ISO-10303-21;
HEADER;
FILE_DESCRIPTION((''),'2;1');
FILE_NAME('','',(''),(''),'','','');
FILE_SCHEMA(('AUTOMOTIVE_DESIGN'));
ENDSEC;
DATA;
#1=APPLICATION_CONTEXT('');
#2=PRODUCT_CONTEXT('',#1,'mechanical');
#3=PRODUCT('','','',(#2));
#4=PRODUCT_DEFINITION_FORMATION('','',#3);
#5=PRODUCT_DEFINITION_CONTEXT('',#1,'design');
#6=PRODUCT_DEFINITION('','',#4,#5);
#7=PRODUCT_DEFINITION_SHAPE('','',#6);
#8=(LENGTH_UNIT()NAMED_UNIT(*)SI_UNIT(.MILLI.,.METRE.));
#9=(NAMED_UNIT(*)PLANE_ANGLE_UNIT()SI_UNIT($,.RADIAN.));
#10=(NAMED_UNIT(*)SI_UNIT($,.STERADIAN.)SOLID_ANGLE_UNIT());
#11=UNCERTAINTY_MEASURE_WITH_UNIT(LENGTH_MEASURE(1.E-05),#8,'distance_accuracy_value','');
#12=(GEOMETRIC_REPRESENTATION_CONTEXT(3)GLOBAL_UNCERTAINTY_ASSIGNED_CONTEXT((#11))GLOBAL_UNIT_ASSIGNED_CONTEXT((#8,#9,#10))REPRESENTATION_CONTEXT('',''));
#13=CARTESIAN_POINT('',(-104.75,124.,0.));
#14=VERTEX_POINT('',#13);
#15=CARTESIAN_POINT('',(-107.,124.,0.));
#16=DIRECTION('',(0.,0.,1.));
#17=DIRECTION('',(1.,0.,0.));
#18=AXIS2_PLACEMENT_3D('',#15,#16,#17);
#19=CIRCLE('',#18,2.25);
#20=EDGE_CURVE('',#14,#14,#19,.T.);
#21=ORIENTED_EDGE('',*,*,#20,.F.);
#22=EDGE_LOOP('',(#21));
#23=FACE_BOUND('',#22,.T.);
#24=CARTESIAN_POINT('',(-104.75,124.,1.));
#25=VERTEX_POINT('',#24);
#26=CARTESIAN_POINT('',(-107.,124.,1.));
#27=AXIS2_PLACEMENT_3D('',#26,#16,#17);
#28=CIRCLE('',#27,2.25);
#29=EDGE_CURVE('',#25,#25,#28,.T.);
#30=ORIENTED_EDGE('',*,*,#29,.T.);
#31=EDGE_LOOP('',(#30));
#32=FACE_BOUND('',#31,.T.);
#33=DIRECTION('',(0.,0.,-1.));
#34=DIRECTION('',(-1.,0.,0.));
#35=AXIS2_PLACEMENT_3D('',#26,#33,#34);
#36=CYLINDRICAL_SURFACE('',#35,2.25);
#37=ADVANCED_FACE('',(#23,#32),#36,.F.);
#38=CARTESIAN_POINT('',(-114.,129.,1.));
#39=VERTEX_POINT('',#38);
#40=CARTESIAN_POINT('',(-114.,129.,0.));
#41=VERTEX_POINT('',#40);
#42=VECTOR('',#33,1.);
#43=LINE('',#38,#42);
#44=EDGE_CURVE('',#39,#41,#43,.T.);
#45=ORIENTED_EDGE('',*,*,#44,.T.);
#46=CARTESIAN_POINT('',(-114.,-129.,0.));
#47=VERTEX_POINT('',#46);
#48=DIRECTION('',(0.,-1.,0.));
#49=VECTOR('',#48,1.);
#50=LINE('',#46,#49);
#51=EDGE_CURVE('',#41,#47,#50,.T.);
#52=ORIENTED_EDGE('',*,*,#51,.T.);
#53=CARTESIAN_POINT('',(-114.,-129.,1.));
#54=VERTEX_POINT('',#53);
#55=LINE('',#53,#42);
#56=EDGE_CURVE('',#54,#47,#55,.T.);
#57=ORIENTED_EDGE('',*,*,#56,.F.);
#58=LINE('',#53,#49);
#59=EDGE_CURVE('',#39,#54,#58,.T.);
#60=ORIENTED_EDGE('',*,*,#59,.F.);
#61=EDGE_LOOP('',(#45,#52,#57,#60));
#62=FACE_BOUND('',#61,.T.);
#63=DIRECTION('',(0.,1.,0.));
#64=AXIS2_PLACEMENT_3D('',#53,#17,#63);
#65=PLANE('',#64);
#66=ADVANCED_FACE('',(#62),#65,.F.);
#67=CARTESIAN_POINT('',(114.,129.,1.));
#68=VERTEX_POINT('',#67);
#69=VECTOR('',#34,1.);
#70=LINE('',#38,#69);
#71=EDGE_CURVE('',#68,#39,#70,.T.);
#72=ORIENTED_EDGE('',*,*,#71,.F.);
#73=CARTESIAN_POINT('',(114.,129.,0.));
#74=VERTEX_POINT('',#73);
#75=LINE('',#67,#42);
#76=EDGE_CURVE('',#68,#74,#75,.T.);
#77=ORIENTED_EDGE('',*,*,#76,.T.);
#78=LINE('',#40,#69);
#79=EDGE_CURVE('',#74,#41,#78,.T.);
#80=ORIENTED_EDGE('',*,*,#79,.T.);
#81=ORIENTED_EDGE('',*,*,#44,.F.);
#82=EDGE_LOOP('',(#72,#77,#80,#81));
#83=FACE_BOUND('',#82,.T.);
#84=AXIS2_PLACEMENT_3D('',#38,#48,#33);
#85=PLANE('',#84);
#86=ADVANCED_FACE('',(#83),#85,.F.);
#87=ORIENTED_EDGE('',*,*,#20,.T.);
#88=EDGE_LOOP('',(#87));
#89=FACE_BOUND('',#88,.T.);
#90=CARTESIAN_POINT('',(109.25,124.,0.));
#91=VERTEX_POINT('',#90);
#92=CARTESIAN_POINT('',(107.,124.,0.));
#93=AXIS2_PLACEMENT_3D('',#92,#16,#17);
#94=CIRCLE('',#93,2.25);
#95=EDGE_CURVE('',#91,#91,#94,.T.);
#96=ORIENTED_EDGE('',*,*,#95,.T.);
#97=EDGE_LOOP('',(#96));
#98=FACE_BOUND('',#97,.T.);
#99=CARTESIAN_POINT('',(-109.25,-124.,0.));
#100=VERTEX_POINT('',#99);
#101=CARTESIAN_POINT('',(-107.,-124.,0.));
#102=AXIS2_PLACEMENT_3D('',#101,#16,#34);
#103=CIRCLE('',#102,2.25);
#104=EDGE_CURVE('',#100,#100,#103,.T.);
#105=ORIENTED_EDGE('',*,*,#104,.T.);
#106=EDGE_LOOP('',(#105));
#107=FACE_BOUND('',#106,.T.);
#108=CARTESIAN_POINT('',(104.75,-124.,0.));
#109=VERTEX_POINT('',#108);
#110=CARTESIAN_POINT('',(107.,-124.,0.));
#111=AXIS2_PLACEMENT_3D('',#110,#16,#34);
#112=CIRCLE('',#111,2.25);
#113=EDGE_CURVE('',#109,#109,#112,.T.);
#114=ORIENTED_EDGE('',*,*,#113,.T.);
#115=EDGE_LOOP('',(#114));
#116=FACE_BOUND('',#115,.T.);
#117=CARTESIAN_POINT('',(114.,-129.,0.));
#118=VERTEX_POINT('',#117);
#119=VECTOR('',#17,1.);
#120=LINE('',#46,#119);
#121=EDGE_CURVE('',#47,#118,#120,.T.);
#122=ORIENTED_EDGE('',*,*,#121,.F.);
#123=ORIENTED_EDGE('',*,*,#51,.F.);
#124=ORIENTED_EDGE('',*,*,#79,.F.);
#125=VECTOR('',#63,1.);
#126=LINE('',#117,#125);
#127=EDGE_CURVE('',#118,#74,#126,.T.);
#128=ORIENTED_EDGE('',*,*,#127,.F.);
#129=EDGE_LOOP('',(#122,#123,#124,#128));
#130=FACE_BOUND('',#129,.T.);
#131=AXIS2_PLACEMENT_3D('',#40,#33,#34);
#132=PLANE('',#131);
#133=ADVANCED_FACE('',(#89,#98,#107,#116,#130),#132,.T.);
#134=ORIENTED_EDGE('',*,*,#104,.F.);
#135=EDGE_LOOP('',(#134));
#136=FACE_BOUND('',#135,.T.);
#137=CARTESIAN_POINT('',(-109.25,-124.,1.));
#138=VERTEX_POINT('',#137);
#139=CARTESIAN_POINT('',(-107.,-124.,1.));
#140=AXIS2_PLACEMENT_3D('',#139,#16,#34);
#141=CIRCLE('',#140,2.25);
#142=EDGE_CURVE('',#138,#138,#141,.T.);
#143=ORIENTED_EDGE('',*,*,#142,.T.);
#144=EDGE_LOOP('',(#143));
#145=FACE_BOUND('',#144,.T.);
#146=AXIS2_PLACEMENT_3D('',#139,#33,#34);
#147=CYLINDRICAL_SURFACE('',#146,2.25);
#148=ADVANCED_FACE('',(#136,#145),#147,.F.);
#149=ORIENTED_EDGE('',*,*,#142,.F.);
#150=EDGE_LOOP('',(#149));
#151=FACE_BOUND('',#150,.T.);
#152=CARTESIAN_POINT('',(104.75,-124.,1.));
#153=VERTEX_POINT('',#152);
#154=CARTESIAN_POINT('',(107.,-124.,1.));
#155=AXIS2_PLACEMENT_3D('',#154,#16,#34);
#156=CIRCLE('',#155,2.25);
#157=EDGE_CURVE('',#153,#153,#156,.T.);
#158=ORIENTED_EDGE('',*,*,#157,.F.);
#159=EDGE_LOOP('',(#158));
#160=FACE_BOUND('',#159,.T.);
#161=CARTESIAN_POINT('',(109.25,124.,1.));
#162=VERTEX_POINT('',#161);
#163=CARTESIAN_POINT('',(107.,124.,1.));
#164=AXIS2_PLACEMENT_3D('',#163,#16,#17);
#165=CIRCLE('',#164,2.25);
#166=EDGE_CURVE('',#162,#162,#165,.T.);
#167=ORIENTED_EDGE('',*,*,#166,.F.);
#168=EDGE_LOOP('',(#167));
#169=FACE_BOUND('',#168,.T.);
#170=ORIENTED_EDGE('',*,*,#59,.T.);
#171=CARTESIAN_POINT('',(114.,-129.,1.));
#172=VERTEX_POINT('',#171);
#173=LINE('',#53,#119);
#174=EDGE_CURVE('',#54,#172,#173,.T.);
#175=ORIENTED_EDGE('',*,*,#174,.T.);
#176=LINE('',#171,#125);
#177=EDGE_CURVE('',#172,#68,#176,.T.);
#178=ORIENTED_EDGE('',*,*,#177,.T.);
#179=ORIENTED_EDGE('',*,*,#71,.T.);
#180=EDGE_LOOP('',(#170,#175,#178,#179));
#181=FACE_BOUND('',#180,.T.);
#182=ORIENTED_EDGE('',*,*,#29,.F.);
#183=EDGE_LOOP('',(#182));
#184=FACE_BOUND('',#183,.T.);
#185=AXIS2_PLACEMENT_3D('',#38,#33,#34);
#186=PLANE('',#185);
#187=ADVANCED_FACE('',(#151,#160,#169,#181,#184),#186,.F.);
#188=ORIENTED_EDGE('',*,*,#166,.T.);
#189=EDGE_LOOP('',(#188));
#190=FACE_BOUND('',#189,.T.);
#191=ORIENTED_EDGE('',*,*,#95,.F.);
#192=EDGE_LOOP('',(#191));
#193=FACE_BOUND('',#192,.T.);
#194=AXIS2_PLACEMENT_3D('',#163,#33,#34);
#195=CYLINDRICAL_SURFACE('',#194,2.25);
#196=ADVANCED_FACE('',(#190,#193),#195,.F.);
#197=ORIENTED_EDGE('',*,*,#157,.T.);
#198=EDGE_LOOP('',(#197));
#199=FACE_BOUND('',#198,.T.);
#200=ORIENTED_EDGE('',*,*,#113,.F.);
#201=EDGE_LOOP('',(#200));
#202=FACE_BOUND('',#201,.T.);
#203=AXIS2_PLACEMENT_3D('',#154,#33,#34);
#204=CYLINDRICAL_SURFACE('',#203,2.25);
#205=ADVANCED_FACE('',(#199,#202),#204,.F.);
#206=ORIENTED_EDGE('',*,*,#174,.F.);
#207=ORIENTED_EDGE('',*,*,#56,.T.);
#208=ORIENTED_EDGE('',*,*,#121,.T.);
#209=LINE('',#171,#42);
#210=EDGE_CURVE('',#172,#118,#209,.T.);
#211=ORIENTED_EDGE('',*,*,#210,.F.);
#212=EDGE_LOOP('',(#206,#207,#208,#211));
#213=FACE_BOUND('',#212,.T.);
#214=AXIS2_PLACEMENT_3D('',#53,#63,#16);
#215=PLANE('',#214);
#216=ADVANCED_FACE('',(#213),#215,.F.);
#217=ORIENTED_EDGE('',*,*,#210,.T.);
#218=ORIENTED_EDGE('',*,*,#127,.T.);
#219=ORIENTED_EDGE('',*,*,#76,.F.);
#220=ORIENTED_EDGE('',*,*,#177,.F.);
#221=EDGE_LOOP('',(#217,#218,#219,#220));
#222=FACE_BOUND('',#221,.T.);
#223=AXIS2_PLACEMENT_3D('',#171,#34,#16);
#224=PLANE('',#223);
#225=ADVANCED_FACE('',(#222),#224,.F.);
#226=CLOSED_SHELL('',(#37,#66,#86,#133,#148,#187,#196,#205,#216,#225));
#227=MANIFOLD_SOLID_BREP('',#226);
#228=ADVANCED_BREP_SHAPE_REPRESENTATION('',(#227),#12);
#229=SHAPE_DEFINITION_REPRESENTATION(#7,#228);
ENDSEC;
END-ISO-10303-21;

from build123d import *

# Parameters (mm, degrees)
SKETCH_1_W      = 228
SKETCH_1_H      = 258
SKETCH_1_R      = 2.25
EXTRUDE_1_DEPTH = 1


with BuildPart() as part:
    # Эскиз1 → Вытянуть1 (new body)
    with BuildSketch(Plane.XY):
        Rectangle(SKETCH_1_W, SKETCH_1_H)
        with Locations((-107, 124)):
            Circle(SKETCH_1_R, mode=Mode.SUBTRACT)
        with Locations((107, 124)):
            Circle(SKETCH_1_R, mode=Mode.SUBTRACT)
        with Locations(Location((107, -124, 0), (0, 0, 180))):
            Circle(SKETCH_1_R, mode=Mode.SUBTRACT)
        with Locations(Location((-107, -124, 0), (0, 0, 180))):
            Circle(SKETCH_1_R, mode=Mode.SUBTRACT)
    extrude(amount=EXTRUDE_1_DEPTH)


solid = part.part
